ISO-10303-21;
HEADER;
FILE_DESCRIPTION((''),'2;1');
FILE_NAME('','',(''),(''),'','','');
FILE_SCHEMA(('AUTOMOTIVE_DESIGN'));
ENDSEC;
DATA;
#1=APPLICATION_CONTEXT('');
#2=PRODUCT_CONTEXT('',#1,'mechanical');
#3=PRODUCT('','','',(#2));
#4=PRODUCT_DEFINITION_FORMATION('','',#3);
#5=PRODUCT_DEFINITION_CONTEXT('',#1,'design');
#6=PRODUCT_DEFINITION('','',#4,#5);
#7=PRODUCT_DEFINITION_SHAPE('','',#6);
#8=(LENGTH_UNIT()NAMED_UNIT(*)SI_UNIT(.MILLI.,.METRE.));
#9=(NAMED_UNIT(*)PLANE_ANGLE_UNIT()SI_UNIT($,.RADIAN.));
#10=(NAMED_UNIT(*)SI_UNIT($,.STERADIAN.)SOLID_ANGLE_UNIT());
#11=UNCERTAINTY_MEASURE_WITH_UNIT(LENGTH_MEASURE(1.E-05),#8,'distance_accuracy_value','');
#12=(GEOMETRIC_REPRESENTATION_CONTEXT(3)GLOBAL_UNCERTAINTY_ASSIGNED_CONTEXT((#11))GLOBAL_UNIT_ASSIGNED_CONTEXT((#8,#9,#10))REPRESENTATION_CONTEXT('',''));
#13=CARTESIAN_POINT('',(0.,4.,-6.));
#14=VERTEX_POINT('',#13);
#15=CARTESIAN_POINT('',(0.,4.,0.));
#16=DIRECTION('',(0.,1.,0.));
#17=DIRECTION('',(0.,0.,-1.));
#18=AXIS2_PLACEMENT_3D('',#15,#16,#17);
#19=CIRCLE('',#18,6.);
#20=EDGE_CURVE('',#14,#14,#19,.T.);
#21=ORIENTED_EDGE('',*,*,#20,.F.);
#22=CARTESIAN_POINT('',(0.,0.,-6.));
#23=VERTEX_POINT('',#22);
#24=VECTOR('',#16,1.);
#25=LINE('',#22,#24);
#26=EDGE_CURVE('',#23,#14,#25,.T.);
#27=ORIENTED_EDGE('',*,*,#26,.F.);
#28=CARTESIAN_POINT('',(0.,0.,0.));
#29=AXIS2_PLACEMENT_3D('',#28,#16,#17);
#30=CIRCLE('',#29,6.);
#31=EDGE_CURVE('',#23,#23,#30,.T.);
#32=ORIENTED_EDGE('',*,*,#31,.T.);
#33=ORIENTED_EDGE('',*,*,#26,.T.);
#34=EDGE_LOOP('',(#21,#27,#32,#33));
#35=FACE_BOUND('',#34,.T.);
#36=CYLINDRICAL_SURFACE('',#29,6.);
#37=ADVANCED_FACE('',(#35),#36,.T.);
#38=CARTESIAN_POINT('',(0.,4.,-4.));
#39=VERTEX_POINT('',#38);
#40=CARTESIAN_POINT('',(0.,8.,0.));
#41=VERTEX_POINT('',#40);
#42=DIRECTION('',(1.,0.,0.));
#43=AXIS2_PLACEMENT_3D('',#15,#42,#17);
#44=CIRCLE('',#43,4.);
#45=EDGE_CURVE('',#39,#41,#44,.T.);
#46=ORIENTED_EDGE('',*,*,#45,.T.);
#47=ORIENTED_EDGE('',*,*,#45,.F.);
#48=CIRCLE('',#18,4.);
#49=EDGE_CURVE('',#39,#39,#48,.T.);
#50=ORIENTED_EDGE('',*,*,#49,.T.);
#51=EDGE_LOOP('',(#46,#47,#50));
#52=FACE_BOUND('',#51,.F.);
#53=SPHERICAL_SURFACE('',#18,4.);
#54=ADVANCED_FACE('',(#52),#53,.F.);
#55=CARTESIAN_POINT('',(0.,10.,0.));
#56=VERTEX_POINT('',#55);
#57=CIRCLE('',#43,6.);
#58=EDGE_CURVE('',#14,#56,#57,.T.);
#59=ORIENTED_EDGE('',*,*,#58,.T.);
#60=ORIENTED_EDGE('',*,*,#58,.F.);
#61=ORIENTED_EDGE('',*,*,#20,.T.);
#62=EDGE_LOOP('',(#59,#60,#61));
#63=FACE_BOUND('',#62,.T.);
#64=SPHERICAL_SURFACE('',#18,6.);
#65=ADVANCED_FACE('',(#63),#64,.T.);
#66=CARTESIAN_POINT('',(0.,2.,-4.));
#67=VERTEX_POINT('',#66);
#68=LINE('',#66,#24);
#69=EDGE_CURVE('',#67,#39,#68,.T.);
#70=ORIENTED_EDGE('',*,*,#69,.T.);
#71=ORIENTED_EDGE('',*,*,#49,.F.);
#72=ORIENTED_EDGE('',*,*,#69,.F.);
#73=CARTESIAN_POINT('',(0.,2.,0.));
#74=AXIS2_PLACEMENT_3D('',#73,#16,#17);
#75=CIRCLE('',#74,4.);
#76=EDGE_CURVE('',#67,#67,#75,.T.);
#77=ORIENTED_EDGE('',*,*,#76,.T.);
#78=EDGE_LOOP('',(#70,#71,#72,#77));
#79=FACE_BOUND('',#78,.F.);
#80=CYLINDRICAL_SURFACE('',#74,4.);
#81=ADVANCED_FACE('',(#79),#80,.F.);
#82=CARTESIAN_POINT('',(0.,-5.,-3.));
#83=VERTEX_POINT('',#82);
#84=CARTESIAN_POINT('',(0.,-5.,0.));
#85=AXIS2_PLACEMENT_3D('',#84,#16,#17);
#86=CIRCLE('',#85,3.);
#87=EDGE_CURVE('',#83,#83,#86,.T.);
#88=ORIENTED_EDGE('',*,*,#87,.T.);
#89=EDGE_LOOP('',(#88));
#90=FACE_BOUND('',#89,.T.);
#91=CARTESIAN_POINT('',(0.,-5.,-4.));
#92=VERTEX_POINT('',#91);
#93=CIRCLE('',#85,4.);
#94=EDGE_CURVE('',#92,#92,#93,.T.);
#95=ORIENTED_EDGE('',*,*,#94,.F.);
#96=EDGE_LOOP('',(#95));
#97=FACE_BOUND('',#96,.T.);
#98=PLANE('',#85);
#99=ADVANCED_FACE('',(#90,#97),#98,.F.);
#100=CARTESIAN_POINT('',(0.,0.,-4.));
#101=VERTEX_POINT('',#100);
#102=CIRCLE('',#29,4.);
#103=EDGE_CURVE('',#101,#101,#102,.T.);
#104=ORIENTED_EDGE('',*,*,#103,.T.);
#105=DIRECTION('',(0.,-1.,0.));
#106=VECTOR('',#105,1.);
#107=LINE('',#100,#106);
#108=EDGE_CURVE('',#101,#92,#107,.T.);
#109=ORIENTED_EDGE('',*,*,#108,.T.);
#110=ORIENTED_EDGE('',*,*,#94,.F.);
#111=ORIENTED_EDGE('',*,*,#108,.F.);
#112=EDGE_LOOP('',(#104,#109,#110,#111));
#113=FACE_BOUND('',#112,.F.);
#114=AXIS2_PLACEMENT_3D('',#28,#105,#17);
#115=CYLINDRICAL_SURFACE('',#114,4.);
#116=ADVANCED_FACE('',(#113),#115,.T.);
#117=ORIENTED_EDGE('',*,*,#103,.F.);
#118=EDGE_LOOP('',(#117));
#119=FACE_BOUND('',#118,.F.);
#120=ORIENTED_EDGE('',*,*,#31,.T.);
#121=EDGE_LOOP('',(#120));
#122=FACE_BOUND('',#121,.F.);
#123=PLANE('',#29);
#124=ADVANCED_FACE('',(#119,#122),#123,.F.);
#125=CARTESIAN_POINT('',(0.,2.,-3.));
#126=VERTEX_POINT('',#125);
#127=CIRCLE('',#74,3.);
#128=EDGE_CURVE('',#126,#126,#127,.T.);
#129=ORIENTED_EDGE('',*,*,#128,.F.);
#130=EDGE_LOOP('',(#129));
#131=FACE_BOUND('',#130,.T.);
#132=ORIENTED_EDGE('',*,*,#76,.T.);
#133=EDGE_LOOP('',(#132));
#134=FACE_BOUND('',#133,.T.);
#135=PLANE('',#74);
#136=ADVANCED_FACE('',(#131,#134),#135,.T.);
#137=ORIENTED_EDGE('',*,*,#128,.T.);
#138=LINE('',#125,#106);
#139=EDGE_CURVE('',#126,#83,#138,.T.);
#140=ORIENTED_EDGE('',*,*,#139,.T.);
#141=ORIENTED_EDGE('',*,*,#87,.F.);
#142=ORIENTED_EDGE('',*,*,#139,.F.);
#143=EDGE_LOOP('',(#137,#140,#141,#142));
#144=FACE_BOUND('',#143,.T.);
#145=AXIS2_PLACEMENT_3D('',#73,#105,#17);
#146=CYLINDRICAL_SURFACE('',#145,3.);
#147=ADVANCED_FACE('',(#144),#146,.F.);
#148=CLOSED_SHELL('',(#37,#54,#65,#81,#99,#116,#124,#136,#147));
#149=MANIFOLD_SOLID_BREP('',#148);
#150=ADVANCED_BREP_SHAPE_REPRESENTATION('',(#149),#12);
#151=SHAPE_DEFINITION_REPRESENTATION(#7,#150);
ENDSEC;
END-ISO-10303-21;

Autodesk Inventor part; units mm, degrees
ref_plane "YZ Plane" through (0, 0, 0) normal (1, 0, 0) x (0, 1, 0)
ref_plane "XZ Plane" through (0, 0, 0) normal (0, 1, 0) x (-1, 0, 0)
ref_plane "XY Plane" through (0, 0, 0) normal (0, 0, 1) x (1, 0, 0)
sketch "Sketch1" plane through (0, 0, 0) normal (1, 0, 0) x (0, 1, 0)
  line L0 (0, 6) -> (4, 6)
  line L1 (0, -6) -> (4, -6)
  arc A0 (4, -6) -> (4, 6) centre (4, 0) ccw
  line L2 (0, 6) -> (0, 4)
  line L3 (0, 4) -> (-5, 4)
  line L4 (0, -6) -> (0, -4)
  line L5 (0, -4) -> (-5, -4)
  arc A1 (4, -4) -> (4, 4) centre (4, 0) ccw
  line L6 (2, 4) -> (4, 4)
  line L7 (2, -4) -> (4, -4)
  line L8 (2, -4) -> (2, -3)
  line L9 (2, -3) -> (-5, -3)
  line L10 (2, 4) -> (2, 3)
  line L11 (2, 3) -> (-5, 3)
  line L12 (-5, 4) -> (-5, 3)
  line L13 (-5, -3) -> (-5, -4)
  line L14 (-5, 0) -> (10, 0)
  point P0 (0, 0)
  point P1 (8, 0)
  dimension "d0" = 4
  dimension "d1" = 2
  dimension "d2" = 5
  dimension "d3" = 2
  dimension "d4" = 1
  dimension "d5" = 1
revolve "Revolution1" add sketch "Sketch1" angle 360 about axis through (0, -5, 0) along (0, 1, 0) contours A0 L1 L4 L5 L13 L9 L8 L7 A1 L14
properties part number "head"
